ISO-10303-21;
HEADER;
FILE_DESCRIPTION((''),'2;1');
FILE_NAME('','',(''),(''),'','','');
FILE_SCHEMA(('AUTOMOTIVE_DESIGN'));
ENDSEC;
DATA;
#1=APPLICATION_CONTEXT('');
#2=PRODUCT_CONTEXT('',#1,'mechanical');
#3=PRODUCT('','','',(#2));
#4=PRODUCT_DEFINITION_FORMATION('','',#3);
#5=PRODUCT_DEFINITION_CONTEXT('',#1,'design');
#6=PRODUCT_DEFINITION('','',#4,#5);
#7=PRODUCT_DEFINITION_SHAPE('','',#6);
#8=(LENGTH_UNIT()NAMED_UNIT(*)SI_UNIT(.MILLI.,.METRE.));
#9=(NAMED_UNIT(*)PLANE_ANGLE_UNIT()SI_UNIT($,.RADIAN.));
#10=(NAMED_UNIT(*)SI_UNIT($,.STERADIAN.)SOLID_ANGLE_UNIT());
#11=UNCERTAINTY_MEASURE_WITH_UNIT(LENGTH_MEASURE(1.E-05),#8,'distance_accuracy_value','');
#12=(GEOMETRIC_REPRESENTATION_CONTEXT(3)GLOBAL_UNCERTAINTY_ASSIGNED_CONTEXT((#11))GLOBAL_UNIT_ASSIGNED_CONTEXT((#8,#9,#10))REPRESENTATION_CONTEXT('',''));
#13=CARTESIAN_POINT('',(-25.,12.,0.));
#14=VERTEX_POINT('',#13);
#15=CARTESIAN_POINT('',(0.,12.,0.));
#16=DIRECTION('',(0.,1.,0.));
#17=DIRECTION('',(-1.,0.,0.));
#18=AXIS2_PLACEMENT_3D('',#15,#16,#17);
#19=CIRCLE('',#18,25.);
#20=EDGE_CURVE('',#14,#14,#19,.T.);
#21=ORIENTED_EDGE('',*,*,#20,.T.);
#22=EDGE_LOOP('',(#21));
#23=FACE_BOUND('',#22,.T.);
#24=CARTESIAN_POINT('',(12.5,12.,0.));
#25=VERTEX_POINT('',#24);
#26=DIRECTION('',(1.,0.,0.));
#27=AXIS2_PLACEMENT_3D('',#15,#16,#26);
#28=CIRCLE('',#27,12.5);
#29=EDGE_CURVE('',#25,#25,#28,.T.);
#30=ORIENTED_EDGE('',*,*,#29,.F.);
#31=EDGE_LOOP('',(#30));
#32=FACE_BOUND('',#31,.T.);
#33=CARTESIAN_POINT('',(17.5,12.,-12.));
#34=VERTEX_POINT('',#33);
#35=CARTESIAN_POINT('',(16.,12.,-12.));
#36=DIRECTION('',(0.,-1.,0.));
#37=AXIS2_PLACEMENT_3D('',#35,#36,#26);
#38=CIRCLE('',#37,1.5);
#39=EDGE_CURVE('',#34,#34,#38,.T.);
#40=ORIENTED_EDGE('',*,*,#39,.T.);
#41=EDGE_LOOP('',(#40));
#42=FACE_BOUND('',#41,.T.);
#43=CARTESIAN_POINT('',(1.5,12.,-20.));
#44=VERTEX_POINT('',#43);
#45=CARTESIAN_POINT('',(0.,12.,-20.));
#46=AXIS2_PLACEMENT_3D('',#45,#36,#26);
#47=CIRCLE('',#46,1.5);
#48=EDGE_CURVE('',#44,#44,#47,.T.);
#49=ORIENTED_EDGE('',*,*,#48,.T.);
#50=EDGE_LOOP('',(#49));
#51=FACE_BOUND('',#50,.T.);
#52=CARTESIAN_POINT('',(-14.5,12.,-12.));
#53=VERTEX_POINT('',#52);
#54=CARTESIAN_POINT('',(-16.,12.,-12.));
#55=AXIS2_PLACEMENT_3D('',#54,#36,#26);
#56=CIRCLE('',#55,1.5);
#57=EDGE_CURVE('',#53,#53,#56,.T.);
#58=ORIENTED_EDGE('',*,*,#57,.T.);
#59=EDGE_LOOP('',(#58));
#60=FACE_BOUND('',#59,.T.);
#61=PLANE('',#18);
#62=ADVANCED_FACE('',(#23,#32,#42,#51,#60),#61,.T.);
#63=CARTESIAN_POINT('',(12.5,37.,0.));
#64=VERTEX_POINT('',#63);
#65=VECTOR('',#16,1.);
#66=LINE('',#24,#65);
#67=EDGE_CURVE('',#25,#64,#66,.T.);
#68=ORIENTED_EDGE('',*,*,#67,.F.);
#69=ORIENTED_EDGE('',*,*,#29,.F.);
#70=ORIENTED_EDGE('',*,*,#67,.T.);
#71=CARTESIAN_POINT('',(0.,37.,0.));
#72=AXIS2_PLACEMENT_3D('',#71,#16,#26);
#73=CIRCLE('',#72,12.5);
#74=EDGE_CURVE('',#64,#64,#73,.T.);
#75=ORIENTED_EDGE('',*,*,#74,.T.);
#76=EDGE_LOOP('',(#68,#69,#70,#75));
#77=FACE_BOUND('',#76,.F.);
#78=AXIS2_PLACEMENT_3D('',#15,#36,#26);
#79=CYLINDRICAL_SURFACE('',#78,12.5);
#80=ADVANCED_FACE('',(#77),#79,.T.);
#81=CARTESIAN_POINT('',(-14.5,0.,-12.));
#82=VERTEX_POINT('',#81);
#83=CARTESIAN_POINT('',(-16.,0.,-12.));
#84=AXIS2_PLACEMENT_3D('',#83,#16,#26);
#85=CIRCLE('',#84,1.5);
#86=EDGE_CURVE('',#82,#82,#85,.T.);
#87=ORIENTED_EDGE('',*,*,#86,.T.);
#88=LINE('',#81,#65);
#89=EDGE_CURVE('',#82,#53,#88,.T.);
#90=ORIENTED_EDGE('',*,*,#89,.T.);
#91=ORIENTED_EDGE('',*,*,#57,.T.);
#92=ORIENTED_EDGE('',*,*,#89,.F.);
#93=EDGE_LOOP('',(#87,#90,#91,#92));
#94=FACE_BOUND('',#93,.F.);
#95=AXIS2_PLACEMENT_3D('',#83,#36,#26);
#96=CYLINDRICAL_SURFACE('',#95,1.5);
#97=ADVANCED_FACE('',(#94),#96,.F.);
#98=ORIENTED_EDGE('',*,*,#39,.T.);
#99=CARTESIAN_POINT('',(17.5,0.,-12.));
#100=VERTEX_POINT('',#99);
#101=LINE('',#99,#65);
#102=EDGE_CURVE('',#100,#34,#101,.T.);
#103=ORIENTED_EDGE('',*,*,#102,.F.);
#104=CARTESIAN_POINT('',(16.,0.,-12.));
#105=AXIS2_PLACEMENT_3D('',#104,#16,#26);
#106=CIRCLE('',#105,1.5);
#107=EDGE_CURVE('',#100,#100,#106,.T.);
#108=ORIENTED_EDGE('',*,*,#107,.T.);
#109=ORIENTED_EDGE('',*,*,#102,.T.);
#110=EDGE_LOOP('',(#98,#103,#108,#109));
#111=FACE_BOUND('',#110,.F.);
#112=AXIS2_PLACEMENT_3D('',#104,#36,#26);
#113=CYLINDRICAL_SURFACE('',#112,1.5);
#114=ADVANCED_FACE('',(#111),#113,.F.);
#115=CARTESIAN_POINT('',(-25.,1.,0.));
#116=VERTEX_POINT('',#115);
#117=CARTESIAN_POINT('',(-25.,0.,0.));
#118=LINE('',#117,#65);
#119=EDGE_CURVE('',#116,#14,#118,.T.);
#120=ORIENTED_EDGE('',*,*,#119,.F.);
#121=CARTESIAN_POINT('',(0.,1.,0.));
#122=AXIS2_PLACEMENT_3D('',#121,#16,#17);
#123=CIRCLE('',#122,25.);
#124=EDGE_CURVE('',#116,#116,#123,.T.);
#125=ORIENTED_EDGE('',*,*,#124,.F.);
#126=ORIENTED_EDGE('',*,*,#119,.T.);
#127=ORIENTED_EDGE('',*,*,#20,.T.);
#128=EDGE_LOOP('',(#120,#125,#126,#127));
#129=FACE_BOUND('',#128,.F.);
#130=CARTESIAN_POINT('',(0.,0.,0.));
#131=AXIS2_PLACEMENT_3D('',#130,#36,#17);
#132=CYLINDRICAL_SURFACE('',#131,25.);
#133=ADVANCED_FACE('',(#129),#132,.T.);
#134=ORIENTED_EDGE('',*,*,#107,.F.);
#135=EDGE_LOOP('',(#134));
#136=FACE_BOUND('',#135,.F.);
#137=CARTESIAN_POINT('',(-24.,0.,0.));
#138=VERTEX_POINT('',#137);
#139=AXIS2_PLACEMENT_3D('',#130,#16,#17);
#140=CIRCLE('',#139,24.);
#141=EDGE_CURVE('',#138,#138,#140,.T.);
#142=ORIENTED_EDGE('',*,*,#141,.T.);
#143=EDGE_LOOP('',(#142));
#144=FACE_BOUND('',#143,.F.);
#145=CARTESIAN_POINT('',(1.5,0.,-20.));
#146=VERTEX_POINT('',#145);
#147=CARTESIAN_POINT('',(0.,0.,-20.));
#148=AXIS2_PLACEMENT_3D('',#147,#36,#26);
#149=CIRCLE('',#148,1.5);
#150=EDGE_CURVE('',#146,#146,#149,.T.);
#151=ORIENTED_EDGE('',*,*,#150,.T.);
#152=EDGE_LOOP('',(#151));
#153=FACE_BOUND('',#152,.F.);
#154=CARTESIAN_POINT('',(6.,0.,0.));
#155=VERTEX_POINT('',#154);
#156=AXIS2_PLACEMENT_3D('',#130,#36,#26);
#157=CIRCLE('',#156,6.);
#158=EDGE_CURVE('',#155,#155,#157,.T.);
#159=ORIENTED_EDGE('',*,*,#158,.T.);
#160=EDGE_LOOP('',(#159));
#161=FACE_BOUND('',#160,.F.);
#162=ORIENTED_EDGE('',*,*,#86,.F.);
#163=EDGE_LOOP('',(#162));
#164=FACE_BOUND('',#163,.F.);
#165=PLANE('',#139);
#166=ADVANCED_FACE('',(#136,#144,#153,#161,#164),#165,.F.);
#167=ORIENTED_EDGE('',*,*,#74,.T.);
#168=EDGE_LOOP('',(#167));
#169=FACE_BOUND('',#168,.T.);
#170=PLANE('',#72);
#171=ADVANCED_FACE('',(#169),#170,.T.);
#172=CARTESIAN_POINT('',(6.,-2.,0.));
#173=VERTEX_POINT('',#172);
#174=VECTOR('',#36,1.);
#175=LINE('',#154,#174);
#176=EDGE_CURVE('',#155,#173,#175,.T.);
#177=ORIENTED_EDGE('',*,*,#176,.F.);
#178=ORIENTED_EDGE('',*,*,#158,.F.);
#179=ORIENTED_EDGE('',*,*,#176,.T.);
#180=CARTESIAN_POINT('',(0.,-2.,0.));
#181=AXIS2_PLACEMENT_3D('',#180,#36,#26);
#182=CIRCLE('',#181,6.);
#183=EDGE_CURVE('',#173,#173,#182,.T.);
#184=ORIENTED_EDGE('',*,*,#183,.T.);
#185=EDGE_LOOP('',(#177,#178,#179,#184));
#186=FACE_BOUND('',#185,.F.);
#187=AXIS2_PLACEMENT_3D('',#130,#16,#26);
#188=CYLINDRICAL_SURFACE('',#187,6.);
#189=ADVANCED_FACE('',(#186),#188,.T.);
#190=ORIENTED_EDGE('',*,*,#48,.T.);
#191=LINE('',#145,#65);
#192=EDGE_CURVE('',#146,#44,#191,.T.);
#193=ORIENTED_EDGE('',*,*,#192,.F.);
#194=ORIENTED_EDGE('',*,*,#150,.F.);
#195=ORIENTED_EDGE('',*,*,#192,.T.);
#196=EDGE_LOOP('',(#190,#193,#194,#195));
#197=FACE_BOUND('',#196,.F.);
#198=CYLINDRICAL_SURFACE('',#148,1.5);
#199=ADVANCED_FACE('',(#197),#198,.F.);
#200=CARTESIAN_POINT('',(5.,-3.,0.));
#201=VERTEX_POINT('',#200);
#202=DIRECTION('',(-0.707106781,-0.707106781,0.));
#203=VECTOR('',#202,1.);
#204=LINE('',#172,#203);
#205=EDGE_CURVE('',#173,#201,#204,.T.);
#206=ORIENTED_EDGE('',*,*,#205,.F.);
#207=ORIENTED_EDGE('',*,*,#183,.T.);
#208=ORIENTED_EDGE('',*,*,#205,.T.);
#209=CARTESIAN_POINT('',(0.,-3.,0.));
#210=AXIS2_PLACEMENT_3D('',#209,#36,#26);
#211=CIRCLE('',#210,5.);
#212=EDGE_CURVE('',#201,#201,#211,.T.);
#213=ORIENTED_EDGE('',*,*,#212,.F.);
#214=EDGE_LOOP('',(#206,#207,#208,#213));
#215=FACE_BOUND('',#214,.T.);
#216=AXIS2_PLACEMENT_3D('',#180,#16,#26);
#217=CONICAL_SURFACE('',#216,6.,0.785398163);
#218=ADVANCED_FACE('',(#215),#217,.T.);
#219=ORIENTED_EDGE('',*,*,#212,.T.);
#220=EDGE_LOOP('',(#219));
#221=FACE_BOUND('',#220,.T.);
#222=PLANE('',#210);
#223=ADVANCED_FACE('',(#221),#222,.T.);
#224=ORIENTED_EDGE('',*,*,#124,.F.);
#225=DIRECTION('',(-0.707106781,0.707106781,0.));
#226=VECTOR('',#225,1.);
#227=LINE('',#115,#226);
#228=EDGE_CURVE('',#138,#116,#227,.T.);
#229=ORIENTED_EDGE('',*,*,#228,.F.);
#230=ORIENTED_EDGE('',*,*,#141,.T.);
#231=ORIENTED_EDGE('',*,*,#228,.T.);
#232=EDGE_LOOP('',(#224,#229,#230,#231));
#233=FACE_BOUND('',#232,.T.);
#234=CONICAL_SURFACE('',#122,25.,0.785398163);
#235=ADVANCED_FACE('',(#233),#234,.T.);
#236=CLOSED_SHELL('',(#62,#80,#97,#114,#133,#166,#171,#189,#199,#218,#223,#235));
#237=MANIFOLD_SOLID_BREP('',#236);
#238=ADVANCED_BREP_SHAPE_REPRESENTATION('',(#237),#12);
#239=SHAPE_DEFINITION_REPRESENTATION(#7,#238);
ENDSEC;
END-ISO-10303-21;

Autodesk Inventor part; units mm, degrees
ref_plane "YZ Plane" through (0, 0, 0) normal (1, 0, 0) x (0, 1, 0)
ref_plane "XZ Plane" through (0, 0, 0) normal (0, 1, 0) x (-1, 0, 0)
ref_plane "XY Plane" through (0, 0, 0) normal (0, 0, 1) x (1, 0, 0)
sketch "Szkic1" plane through (0, 0, 0) normal (0, 1, 0) x (-1, 0, 0)
  circle A0 centre (0, 0) radius 25
  dimension "d0" = 50
extrude "Wyciągnięcie proste1" add sketch "Szkic1" along normal blind 12
sketch "Szkic2" plane through (0, 0, 0) normal (0, -1, 0) x (1, 0, 0)
  circle A0 centre (0, 0) radius 6
  dimension "d3" = 12
extrude "Wyciągnięcie proste2" add sketch "Szkic2" along normal blind 3
sketch "Szkic3" plane through (0, 12, 0) normal (0, 1, 0) x (1, 0, 0)
  circle A0 centre (0, 0) radius 12.5
  dimension "d6" = 25
extrude "Wyciągnięcie proste3" add sketch "Szkic3" along normal blind 25
chamfer "Faza1" distance 1 angle 45 1 edges at (-6, -3, 0)
chamfer "Faza2" distance 1 angle 45 1 edges at (25, 0, 0)
sketch "Szkic6" plane through (0, 0, 0) normal (0, -1, 0) x (1, 0, 0)
  circle A0 centre (0, 0) radius 20
  circle A1 centre (-16, -12) radius 1.5
  dimension "d16" = 40
  dimension "d17" = 3
extrude "Wyciągnięcie proste4" cut sketch "Szkic6" against normal blind 25 contours A1 A0 | A0 A1 picked at (-15.6226, -11.6657) picked at (-16.3566, -12.3446)
sketch "Szkic7" plane through (0, 0, 0) normal (0, -1, 0) x (1, 0, 0)
  circle A0 centre (0, 0) radius 5 projected
  circle A1 centre (0, 0) radius 20
  circle A2 centre (16, -12) radius 1.5
  dimension "d20" = 40
  dimension "d21" = 3
extrude "Wyciągnięcie proste5" cut sketch "Szkic7" against normal blind 25 contours A2 A1 | A1 A2 picked at (15.5641, -11.7467) picked at (16.3868, -12.3102)
sketch "Szkic9" plane through (0, 0, 0) normal (0, -1, 0) x (1, 0, 0)
  circle A0 centre (0, -20) radius 1.5
  point P0 (0, 0)
  dimension "d25" = 3
extrude "Wyciągnięcie proste6" cut sketch "Szkic9" against normal blind 25
